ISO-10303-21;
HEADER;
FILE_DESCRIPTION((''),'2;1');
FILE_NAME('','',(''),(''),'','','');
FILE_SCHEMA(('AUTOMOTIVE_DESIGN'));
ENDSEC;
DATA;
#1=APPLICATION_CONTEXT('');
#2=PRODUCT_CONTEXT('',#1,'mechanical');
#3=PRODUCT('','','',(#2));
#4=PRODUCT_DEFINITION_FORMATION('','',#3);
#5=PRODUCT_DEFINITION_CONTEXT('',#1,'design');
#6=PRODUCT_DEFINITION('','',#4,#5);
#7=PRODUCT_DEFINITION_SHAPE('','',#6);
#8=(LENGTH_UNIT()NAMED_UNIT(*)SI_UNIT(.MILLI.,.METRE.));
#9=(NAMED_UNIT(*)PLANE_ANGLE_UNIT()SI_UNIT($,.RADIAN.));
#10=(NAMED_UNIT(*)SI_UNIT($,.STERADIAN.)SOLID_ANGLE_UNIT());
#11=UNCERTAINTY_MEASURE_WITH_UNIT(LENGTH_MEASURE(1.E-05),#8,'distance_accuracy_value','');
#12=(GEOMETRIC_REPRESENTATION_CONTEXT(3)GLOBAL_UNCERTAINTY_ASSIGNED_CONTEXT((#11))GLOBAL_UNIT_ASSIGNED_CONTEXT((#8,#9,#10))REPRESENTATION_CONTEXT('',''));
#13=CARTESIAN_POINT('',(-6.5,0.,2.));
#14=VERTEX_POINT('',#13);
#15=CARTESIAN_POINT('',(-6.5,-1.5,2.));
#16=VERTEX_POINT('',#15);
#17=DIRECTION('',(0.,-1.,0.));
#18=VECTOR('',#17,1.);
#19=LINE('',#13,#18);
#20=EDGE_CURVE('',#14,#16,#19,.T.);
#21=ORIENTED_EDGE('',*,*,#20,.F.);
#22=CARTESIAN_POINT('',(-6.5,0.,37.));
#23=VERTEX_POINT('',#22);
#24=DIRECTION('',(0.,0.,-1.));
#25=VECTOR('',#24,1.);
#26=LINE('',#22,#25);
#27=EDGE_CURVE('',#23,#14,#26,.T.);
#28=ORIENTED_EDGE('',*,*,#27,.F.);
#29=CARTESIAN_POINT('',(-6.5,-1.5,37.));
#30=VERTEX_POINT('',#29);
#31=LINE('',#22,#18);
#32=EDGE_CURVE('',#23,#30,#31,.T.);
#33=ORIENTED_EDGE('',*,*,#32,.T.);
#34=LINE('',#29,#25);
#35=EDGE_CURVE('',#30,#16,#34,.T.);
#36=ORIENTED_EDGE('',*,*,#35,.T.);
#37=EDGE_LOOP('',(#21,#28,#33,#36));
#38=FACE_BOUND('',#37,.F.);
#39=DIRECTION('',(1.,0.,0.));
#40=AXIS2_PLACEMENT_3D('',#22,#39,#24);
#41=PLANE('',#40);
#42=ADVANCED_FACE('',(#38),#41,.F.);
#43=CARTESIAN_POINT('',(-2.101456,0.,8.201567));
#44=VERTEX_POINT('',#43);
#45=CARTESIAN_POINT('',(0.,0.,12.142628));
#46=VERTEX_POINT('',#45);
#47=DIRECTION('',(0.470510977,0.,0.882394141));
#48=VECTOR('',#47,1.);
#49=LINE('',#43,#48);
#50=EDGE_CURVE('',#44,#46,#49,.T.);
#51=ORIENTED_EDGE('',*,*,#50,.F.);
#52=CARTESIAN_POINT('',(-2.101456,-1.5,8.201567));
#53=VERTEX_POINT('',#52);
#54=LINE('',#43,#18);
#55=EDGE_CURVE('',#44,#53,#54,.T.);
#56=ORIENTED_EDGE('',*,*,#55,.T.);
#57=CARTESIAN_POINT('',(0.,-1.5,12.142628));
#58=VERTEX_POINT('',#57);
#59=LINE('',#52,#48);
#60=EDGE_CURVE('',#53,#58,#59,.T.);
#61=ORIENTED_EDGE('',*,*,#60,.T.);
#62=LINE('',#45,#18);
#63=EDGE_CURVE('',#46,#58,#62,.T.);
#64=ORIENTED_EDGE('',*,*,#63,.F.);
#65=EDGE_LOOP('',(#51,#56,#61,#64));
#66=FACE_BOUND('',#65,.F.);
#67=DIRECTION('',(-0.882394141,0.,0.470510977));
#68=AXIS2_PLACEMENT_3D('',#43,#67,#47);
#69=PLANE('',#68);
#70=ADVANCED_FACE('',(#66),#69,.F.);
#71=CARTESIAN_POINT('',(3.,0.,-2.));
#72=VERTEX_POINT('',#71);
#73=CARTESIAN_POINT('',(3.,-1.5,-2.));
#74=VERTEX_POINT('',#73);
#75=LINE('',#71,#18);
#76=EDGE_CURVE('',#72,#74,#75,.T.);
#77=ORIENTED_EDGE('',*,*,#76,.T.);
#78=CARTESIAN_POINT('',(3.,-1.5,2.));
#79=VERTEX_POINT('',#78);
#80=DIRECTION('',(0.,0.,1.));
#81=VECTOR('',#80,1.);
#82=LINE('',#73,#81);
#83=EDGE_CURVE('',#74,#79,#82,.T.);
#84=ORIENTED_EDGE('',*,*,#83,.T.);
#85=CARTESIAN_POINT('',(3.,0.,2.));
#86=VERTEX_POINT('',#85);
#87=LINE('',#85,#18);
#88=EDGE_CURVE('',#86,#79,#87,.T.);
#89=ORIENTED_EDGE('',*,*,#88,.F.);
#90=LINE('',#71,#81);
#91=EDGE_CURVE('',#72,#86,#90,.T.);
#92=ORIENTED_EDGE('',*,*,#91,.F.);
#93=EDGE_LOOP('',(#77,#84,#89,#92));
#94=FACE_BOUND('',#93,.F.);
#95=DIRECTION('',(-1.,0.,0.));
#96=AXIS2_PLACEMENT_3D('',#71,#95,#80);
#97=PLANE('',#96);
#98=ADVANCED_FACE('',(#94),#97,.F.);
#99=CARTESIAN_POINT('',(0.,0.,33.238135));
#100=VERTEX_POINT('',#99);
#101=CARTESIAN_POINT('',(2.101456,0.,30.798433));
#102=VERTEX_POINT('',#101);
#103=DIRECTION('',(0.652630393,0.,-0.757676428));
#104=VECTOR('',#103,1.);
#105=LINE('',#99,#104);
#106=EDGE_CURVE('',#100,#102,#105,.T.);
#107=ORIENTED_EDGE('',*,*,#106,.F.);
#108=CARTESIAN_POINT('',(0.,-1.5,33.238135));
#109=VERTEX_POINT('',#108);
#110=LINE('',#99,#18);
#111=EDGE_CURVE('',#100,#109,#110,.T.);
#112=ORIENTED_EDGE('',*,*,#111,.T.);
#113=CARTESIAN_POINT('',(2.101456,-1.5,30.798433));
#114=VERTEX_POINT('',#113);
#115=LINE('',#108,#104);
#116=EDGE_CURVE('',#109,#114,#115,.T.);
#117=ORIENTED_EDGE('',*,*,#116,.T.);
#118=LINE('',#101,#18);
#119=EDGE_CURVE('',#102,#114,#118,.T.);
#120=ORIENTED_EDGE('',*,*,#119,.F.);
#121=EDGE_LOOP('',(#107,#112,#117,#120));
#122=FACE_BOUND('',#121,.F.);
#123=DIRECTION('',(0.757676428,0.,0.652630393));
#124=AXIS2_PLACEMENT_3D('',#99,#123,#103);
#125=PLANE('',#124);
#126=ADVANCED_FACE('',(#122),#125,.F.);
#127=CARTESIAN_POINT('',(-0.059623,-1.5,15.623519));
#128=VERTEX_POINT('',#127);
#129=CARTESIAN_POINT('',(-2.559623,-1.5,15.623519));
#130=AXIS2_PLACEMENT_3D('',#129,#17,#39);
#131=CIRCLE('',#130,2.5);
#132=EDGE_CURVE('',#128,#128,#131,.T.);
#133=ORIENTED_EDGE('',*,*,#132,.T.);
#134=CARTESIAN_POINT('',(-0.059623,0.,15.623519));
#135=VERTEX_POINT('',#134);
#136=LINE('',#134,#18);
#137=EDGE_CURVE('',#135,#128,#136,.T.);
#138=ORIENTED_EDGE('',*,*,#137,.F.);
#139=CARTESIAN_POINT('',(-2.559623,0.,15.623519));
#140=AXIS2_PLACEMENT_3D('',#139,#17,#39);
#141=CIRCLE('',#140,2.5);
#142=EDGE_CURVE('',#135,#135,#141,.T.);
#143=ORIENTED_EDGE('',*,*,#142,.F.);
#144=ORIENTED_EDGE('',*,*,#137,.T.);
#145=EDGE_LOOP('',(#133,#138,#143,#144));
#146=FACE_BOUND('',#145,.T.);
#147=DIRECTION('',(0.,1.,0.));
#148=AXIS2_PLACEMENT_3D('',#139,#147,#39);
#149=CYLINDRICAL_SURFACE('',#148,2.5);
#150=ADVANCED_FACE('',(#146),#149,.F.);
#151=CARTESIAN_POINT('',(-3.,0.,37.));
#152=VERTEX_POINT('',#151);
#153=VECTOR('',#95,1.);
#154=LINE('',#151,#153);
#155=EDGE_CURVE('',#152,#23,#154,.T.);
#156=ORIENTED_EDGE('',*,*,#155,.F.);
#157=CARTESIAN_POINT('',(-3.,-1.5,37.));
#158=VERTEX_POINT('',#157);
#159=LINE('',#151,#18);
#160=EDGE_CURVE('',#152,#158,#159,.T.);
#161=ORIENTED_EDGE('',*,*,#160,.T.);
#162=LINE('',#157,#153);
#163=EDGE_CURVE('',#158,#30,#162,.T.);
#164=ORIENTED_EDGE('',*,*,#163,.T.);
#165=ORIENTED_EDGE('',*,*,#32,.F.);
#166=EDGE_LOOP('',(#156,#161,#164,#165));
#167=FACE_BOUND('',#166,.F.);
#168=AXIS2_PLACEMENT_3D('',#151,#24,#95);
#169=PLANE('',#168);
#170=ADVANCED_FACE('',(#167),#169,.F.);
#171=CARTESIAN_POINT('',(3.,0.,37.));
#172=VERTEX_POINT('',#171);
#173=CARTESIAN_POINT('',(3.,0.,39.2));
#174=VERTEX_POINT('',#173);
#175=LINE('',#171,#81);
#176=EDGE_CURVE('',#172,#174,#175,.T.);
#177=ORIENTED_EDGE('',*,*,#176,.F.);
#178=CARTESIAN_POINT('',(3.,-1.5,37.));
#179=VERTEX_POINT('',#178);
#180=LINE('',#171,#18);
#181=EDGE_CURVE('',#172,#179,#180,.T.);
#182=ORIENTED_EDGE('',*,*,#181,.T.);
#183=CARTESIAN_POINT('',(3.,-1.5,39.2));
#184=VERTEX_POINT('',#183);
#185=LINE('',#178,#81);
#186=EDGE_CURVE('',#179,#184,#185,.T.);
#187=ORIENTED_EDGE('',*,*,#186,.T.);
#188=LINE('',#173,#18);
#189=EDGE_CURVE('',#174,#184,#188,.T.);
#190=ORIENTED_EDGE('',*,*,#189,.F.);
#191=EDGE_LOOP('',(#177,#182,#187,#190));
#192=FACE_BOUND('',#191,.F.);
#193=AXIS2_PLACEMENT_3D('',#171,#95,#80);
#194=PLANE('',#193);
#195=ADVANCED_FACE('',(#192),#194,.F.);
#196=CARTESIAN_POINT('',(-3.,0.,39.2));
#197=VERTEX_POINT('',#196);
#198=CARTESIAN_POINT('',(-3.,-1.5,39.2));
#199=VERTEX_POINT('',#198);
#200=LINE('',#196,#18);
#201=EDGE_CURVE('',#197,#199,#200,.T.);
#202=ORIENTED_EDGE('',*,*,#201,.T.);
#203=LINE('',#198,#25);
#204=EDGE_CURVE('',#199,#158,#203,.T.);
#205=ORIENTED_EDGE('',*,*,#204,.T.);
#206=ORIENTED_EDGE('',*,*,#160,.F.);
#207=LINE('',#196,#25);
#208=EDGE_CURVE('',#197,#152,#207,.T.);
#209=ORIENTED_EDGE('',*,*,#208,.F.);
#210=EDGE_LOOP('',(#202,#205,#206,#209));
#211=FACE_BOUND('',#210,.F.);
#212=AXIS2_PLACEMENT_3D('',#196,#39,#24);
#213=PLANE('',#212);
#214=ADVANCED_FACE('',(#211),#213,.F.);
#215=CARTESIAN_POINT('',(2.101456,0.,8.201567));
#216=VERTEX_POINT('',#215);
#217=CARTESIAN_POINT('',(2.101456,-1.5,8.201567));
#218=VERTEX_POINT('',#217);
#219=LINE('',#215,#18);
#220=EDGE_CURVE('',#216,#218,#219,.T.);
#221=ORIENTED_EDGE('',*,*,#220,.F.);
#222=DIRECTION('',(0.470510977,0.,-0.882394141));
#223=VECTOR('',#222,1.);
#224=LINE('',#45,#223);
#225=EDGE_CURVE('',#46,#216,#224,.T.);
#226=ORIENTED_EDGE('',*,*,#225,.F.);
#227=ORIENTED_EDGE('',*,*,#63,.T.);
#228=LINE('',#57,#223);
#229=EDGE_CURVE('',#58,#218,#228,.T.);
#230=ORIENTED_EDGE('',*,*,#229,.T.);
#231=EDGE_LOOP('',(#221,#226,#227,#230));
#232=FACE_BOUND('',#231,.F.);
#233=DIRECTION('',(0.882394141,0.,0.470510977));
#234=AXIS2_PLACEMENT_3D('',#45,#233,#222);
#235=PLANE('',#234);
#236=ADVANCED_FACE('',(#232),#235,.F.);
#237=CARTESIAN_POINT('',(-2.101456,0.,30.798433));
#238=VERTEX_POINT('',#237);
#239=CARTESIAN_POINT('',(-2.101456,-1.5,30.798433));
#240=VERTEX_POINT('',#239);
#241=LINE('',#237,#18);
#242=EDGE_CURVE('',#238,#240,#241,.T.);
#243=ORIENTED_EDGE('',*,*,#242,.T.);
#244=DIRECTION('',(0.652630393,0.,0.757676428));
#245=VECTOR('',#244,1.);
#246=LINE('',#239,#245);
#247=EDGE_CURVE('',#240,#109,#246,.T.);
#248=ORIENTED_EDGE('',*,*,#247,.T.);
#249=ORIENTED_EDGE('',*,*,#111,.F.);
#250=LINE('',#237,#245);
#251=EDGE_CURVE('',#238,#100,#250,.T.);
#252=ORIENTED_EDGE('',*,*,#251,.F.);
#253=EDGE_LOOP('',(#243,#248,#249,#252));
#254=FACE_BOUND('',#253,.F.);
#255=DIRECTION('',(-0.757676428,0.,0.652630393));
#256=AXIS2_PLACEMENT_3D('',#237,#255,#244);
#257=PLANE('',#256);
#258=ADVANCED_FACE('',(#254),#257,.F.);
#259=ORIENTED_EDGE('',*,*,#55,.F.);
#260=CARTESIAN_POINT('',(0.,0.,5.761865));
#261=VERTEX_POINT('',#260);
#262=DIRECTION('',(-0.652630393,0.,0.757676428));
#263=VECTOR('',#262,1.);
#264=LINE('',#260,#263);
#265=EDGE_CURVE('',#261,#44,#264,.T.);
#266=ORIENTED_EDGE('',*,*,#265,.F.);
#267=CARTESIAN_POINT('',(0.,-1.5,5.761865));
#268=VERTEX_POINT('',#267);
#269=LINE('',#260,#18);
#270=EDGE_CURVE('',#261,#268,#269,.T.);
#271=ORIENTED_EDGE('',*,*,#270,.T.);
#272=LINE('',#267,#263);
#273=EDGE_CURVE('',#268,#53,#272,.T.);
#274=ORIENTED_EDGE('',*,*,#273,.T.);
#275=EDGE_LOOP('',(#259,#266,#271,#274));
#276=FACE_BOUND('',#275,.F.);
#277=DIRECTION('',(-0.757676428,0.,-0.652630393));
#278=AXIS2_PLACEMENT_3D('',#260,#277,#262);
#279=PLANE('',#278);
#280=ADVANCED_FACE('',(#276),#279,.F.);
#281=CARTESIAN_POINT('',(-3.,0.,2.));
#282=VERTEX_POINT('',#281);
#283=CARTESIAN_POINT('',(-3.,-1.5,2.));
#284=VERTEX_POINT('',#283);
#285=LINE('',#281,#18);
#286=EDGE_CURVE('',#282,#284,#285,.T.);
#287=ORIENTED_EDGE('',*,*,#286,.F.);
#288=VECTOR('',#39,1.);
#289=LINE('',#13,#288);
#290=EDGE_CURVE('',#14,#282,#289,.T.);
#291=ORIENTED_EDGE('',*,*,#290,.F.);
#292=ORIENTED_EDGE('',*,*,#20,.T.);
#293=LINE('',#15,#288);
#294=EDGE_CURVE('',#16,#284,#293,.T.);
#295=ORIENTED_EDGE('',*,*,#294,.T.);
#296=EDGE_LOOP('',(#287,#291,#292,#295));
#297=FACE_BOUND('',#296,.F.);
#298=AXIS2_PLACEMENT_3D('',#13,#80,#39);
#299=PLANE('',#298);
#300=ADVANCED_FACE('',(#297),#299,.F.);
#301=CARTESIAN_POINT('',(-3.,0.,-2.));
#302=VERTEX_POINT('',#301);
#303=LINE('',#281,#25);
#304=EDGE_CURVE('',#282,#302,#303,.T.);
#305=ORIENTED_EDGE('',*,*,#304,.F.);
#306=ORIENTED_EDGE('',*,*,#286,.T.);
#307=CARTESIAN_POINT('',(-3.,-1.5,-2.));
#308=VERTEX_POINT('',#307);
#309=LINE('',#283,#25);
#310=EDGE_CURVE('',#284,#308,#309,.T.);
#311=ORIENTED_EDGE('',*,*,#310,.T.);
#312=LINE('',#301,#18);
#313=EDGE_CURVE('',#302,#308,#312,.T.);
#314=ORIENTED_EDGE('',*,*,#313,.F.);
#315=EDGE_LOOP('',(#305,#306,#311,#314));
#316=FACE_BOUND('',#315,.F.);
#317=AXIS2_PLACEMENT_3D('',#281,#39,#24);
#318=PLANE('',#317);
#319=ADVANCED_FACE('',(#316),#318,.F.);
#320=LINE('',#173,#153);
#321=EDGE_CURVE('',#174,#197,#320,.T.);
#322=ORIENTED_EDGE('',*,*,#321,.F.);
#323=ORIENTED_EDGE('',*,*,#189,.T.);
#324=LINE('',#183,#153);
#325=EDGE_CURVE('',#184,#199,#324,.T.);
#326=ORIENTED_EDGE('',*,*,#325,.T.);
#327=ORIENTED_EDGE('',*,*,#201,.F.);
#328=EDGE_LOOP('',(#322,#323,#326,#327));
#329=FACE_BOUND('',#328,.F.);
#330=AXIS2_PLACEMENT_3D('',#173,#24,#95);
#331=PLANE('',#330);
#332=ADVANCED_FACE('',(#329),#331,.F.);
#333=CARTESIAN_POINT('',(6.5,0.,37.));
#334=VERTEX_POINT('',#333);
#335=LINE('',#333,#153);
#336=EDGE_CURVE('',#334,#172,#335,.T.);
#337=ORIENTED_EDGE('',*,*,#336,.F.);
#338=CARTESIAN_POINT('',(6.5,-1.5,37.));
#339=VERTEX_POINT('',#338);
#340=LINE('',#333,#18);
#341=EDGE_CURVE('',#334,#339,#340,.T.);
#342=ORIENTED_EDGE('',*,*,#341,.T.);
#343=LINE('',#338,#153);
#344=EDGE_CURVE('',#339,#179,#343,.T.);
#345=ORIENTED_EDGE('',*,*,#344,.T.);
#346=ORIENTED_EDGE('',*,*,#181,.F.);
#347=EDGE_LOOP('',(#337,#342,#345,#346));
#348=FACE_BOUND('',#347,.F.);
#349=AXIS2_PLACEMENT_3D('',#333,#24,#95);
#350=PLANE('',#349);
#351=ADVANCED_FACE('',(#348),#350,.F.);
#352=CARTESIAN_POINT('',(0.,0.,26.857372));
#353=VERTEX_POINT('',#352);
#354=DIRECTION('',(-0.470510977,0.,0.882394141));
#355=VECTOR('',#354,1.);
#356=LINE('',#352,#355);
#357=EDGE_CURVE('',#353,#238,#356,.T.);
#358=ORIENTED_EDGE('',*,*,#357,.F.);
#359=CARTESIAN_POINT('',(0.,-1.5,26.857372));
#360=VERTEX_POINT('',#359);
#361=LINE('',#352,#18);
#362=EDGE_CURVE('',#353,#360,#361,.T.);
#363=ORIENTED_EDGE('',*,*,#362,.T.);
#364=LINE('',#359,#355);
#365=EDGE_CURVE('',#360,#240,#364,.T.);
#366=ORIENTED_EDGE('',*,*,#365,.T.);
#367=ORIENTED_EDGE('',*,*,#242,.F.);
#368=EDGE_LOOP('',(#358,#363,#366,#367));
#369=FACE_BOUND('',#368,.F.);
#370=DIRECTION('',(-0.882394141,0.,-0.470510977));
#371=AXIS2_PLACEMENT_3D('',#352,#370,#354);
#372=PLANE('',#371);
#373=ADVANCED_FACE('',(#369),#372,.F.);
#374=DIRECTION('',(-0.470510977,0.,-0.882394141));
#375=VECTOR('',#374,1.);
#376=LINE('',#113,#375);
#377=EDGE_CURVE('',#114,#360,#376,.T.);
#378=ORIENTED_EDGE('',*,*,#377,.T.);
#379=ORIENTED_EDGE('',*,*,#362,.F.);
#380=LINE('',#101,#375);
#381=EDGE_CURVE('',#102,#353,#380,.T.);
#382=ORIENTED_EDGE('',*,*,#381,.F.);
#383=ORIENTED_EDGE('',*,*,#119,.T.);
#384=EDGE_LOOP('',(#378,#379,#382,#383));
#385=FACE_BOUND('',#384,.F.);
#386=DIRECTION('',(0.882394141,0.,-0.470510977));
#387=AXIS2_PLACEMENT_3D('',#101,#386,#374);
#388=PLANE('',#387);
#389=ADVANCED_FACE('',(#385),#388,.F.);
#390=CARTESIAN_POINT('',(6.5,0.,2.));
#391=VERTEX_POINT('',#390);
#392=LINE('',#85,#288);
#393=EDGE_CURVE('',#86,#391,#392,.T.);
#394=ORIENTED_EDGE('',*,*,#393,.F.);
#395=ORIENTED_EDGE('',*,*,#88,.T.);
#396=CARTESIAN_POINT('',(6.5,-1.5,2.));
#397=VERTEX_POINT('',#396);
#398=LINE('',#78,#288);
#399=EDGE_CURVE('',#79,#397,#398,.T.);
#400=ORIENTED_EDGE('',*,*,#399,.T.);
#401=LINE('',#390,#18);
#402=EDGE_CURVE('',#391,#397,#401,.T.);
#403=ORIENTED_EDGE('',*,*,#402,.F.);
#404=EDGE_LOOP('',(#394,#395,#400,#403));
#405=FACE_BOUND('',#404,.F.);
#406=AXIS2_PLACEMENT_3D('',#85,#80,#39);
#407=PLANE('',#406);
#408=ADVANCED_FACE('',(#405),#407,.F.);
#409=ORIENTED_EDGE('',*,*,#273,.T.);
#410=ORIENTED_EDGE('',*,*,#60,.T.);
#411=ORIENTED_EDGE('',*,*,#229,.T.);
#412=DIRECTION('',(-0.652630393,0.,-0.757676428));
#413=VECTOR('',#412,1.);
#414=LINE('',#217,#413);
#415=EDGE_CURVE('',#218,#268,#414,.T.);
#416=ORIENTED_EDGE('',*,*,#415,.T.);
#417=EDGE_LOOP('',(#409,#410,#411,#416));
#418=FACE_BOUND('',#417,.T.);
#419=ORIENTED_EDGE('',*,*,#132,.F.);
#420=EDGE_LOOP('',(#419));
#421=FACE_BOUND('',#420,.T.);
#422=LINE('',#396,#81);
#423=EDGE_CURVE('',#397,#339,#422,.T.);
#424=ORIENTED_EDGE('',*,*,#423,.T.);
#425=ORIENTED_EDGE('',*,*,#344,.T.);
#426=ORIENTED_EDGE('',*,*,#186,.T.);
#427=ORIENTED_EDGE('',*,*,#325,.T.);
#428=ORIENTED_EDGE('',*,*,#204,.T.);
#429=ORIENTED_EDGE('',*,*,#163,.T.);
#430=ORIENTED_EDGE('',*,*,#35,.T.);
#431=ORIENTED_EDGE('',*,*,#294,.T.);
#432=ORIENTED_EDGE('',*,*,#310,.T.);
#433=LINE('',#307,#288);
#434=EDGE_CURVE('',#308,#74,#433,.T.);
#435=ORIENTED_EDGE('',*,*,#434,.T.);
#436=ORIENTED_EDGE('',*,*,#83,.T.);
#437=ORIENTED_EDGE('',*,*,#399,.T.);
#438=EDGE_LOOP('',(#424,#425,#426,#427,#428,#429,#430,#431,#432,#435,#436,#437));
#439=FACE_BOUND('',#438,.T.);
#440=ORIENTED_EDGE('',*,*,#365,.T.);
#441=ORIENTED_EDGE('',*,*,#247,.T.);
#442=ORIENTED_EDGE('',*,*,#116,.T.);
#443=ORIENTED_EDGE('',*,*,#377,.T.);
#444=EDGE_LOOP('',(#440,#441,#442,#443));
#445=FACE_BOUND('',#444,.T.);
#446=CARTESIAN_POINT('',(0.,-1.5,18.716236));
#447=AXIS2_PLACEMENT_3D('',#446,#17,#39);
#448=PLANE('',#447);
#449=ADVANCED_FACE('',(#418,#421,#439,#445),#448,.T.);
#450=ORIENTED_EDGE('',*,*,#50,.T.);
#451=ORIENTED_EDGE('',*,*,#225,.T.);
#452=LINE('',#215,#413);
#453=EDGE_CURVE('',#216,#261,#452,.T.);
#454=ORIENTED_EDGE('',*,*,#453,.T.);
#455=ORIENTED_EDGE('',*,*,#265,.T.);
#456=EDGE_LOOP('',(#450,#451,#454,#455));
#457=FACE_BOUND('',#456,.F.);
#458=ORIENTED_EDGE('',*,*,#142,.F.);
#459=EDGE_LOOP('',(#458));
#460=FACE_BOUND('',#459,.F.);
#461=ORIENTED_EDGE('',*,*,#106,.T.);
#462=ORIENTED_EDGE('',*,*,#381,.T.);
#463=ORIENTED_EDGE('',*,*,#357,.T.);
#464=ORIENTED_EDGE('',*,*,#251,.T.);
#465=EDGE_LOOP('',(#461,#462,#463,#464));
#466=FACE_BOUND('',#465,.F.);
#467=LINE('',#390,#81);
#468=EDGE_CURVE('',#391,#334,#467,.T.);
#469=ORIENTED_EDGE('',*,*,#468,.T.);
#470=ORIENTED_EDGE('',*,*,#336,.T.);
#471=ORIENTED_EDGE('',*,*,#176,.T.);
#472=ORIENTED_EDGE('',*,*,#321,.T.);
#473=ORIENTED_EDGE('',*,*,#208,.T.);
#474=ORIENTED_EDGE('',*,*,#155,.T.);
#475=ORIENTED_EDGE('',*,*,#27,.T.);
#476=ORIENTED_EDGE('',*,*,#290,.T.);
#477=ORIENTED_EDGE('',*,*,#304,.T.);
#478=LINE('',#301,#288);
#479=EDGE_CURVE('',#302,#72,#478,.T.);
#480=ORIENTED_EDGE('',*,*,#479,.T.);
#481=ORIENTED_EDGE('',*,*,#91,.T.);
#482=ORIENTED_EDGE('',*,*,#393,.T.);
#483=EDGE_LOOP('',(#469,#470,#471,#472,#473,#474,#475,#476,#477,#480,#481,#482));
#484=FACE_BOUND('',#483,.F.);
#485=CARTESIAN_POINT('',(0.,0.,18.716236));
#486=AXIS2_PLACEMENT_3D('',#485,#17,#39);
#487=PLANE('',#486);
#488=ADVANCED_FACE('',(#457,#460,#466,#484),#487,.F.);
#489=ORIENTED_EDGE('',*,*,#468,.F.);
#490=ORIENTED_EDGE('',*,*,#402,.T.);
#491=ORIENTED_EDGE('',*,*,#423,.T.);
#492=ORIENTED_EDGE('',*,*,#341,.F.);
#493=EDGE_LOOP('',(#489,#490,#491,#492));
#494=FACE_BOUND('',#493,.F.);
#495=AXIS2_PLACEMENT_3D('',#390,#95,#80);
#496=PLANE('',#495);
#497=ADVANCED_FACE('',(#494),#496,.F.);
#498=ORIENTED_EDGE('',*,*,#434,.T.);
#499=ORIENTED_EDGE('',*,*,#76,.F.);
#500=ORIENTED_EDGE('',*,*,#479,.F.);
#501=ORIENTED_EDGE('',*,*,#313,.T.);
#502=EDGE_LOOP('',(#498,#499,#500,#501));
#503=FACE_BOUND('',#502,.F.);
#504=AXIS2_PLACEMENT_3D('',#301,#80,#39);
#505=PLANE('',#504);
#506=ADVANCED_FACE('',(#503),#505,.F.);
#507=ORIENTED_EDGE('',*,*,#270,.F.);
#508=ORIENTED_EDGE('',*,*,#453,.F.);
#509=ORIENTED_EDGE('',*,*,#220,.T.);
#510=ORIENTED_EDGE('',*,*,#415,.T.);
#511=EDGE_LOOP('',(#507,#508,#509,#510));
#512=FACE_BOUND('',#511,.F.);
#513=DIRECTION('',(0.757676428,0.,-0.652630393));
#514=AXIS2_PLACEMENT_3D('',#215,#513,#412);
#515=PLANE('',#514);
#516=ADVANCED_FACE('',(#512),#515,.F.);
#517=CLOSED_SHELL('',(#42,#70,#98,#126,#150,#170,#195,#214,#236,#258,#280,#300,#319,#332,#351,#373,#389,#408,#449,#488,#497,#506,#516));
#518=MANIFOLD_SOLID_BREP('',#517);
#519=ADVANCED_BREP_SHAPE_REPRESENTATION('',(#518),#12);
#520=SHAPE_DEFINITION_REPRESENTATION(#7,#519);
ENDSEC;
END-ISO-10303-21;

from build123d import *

# Parameters (mm, degrees)
F0_R     = 2.5
F1_DEPTH = 1.5


with BuildPart() as f1:
    # F0 (on Front) → F1 (new body)
    with BuildSketch(Plane.XZ):
        Polygon((-3, -2), (3, -2), (3, 2), (6.5, 2), (6.5, 37), (3, 37), (3, 39.2), (0, 39.2), (-3, 39.2), (-3, 37), (-6.5, 37), (-6.5, 2), (-3, 2), align=None)
        with Locations((-2.559623, 15.623519)):
            Circle(F0_R, mode=Mode.SUBTRACT)
        Polygon((2.101456, 8.201567), (0, 5.761865), (-2.101456, 8.201567), (0, 12.142628), align=None, mode=Mode.SUBTRACT)
        Polygon((-2.101456, 30.798433), (0, 33.238135), (2.101456, 30.798433), (0, 26.857372), align=None, mode=Mode.SUBTRACT)
    extrude(amount=F1_DEPTH)


solid = f1.part
